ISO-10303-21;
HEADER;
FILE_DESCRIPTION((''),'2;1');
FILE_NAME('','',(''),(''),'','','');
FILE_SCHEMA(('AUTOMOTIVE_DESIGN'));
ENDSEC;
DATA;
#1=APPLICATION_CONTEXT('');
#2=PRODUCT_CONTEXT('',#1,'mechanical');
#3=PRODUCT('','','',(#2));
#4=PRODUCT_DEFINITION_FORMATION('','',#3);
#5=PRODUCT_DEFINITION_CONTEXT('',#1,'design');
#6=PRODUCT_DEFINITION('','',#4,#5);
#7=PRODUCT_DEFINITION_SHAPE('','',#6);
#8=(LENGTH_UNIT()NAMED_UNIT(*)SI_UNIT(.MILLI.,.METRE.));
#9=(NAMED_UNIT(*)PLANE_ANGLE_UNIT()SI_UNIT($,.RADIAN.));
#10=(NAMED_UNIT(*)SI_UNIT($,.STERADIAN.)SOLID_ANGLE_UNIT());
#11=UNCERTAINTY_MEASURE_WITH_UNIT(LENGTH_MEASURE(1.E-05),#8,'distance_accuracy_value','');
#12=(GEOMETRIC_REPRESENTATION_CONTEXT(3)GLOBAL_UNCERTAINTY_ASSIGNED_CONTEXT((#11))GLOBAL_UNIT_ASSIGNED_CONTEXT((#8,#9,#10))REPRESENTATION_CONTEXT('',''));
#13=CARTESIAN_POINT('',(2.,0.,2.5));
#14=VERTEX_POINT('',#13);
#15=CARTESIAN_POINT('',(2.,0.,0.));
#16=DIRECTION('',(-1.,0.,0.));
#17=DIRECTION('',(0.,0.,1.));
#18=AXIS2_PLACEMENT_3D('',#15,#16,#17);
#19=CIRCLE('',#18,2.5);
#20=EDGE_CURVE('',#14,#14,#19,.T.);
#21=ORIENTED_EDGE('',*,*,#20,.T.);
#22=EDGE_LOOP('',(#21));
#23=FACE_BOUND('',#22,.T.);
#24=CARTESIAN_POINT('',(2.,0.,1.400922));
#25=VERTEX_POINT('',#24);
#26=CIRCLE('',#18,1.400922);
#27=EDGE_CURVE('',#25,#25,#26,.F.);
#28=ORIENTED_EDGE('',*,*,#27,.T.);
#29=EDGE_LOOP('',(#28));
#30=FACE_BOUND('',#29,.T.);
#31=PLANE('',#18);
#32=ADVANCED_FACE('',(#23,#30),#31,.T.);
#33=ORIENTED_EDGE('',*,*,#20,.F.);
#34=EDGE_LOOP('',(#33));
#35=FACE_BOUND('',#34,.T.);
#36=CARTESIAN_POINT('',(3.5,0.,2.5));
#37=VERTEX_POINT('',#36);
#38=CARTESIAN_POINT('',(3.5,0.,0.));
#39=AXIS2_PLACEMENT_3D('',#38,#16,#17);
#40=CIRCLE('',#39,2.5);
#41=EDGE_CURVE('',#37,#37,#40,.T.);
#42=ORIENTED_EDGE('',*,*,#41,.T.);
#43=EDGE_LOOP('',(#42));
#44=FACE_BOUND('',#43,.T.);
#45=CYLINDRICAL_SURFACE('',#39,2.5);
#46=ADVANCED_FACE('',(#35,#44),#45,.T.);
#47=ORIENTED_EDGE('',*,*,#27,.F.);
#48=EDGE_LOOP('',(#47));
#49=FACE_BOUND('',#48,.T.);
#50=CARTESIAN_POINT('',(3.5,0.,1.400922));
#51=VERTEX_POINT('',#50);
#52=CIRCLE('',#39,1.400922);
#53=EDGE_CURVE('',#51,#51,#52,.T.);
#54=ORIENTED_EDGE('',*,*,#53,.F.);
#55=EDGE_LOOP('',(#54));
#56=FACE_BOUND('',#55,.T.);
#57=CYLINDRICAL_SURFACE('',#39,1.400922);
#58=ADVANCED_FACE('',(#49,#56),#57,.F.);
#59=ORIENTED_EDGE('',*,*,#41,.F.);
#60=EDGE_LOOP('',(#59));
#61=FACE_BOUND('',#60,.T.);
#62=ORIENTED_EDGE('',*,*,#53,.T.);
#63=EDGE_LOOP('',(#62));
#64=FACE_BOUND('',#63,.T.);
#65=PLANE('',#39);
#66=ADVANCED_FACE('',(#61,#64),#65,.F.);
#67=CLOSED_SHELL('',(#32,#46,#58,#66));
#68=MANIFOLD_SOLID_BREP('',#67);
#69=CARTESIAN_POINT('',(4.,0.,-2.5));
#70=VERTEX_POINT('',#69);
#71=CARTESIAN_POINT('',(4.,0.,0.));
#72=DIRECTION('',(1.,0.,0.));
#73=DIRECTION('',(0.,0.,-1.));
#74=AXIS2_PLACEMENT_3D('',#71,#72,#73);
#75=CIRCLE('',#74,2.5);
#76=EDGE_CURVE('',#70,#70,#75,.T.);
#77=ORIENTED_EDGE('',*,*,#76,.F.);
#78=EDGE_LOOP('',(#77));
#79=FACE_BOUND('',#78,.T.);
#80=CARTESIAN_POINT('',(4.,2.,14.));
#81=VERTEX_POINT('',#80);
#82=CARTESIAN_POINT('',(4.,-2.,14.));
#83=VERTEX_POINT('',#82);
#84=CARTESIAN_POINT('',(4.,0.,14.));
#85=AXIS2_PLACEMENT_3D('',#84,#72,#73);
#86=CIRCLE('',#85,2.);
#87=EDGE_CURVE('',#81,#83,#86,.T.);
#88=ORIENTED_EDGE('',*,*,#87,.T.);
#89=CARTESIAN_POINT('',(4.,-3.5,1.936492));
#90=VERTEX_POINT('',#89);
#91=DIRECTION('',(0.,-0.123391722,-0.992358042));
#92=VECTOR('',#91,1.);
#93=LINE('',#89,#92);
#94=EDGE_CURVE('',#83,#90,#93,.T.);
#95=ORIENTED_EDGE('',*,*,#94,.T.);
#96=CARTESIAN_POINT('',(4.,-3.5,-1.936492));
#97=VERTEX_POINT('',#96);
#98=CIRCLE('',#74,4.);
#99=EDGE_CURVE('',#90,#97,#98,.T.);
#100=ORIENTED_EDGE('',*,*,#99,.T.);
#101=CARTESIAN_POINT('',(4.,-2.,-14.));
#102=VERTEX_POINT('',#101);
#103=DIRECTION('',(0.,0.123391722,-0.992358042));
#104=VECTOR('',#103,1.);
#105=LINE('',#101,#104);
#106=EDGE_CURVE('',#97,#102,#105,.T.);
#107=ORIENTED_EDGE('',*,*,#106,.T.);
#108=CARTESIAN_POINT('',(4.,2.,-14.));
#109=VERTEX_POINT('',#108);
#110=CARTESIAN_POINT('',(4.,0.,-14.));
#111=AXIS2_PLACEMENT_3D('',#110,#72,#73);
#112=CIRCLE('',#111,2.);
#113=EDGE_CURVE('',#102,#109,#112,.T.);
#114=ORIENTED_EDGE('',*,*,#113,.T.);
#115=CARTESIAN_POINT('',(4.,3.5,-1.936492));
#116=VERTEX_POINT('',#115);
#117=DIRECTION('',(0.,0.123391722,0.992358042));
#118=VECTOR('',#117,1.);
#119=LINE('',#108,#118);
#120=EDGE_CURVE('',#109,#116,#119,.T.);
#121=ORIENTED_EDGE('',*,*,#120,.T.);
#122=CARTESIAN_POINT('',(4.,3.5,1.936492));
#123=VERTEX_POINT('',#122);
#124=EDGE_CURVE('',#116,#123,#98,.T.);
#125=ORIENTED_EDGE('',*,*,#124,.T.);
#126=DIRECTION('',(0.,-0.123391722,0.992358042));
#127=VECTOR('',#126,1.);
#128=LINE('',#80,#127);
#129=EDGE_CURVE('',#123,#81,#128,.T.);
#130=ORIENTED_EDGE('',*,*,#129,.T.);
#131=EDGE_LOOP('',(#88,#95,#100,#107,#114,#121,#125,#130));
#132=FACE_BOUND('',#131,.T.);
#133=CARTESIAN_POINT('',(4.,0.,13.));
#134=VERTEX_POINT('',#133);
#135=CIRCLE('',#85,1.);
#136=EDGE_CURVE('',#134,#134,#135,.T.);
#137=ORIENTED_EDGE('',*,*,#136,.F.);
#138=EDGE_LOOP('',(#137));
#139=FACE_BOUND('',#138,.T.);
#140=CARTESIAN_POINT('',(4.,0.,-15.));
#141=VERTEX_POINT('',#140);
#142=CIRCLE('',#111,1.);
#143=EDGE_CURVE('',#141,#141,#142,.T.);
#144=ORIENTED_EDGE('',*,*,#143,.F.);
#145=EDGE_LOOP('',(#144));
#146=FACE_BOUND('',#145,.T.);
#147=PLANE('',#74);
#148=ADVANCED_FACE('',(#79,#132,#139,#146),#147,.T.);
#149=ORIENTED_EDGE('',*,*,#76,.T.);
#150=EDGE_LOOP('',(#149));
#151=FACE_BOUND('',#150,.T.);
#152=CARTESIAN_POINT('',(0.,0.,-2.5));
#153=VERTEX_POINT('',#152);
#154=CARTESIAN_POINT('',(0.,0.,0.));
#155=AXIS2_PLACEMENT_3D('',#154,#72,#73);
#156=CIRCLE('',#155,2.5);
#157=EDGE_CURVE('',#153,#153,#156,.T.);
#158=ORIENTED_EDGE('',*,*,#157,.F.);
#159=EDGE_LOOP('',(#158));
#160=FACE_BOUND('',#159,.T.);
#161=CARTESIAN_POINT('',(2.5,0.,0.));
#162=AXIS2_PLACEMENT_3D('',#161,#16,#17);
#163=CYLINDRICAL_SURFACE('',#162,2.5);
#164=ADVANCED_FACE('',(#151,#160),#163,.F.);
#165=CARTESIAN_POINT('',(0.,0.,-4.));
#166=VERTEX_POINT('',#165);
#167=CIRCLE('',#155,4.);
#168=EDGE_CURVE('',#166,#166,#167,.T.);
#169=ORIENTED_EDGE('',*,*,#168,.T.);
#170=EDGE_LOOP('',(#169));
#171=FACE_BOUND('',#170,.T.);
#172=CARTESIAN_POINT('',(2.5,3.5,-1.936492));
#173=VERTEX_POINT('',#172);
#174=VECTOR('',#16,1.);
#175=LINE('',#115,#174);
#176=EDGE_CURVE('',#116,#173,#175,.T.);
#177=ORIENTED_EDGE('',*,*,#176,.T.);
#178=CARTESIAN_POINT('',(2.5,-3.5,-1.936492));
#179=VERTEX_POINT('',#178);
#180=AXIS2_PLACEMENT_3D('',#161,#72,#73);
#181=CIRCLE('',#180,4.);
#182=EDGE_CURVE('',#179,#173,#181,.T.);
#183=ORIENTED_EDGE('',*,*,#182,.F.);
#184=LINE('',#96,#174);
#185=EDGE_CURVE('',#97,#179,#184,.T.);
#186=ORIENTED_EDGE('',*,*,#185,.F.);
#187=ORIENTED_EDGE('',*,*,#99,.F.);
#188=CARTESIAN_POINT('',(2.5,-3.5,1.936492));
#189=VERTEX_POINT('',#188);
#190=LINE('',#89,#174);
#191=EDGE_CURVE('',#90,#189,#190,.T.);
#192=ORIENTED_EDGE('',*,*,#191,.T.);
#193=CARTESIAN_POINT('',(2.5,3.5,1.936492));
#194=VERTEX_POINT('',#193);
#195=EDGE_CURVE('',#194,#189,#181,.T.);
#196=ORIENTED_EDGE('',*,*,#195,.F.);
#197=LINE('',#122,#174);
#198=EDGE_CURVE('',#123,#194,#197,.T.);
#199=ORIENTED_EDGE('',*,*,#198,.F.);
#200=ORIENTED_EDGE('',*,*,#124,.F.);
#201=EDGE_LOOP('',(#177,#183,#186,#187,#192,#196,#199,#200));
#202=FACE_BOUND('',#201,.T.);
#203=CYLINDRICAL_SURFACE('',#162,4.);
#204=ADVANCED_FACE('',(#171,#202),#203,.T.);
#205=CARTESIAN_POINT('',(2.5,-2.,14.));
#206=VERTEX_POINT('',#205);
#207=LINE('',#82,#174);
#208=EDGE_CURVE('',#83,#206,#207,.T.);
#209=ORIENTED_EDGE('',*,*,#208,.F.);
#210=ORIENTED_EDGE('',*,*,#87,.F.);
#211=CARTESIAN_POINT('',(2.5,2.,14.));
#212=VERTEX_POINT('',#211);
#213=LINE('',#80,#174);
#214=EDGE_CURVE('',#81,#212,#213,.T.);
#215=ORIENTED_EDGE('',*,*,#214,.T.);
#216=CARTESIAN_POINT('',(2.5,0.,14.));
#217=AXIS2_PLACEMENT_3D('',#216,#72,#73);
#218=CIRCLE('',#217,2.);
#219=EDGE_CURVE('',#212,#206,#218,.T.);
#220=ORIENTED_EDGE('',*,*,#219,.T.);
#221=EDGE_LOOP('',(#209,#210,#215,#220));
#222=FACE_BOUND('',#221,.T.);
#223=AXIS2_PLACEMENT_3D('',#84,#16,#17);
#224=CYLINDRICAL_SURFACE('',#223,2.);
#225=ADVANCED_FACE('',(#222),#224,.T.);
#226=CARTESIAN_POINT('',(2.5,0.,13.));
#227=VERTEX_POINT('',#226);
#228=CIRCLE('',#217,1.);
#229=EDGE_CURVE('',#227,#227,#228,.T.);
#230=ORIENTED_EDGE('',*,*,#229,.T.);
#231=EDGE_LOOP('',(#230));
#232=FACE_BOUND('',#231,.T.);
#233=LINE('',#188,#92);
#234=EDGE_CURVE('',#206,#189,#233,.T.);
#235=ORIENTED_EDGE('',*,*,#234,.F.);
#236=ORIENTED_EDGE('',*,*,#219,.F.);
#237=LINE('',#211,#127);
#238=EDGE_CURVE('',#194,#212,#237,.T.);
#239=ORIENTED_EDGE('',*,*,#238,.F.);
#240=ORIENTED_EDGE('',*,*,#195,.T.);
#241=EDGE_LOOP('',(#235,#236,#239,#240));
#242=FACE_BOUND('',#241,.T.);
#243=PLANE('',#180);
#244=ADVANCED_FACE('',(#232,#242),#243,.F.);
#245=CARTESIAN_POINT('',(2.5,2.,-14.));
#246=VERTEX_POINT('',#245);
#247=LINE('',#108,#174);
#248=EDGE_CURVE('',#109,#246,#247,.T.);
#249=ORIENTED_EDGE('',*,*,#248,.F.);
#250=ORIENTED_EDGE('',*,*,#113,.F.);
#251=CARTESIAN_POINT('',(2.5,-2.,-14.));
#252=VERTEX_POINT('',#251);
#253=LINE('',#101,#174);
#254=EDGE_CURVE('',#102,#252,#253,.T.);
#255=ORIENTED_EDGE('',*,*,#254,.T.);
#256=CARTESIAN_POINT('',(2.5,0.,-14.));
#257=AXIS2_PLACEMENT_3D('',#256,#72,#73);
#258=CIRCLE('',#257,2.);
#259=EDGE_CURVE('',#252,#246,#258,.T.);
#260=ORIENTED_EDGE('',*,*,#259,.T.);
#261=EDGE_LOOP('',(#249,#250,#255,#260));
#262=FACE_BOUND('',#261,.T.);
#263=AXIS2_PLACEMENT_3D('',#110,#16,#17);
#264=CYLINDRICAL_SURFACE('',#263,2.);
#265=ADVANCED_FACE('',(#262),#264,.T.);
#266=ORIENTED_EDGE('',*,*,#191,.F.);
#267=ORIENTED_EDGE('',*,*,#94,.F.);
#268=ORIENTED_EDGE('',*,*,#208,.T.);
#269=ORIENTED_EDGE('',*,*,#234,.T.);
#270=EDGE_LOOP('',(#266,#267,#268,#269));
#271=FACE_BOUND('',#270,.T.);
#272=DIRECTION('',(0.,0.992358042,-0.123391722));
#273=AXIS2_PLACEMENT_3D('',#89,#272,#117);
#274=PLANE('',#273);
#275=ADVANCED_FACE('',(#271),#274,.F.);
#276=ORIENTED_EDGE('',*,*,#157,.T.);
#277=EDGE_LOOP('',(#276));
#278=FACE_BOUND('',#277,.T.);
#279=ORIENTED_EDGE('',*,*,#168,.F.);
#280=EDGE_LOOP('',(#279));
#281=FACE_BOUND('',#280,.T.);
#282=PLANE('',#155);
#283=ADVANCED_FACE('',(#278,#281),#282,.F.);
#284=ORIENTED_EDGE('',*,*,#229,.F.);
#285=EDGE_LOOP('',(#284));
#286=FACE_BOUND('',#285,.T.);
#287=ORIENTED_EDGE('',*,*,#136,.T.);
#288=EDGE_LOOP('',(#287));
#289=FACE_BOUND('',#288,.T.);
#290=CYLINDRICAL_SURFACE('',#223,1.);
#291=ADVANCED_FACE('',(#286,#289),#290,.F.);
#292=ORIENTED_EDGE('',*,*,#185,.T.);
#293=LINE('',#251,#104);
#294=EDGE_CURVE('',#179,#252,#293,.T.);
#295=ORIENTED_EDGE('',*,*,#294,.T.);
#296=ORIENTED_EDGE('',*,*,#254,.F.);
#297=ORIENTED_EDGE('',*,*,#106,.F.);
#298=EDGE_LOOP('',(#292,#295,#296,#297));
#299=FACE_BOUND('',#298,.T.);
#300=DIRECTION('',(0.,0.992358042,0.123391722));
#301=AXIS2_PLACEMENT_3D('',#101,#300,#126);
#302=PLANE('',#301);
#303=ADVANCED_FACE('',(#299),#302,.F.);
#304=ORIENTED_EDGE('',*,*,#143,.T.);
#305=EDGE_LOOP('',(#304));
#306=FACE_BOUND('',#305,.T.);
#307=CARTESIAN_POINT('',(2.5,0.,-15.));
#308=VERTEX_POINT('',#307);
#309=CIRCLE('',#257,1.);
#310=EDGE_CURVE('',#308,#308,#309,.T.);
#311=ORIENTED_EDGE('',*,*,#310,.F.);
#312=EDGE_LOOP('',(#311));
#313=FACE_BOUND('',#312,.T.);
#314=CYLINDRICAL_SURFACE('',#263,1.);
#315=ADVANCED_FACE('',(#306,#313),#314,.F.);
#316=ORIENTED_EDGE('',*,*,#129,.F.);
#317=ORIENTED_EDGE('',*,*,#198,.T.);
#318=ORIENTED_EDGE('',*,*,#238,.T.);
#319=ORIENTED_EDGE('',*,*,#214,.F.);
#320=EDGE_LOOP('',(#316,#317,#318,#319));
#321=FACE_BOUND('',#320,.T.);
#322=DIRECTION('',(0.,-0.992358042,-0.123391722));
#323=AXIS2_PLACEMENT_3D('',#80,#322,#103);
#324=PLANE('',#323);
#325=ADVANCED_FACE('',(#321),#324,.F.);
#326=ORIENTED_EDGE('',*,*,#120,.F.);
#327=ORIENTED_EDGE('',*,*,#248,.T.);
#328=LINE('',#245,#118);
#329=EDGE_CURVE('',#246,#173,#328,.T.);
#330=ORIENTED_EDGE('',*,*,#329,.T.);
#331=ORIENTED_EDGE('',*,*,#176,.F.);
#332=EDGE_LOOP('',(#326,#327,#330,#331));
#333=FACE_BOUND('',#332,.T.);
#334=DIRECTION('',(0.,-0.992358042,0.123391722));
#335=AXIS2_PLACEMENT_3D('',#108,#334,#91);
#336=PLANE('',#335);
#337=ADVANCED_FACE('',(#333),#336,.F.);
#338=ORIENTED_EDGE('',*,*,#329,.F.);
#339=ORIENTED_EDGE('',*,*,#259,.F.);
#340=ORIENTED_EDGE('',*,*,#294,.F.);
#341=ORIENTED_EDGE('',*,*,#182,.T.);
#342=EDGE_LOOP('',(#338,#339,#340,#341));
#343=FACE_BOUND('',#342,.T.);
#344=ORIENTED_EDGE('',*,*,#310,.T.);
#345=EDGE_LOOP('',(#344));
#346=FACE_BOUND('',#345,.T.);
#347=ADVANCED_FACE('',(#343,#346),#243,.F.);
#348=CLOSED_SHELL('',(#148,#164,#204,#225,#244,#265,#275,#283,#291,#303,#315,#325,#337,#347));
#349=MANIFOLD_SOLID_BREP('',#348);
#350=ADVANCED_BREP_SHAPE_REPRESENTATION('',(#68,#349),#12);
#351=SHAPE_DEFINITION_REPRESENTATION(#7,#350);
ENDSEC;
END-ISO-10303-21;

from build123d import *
from build123d.topology import SkipClean

# Parameters (mm, degrees)
SKETCH2_R           = 4
SKETCH2_R_2         = 2.5
BOSS_EXTRUDE1_DEPTH = 2.5
SKETCH3_R           = 2.5
SKETCH3_R_2         = 1
BOSS_EXTRUDE2_DEPTH = 1.5
SKETCH4_R           = 2.5
SKETCH4_R_2         = 1.400921988
BOSS_EXTRUDE3_DEPTH = 3.5
SKETCH6_R           = 2.5
CUT_EXTRUDE2_DEPTH  = 2


with BuildPart() as part:
    # Sketch2 → Boss-Extrude1 (new body)
    with BuildSketch(Plane(origin=(0, 0, 0), x_dir=(0, 0, -1), z_dir=(1, 0, 0))):
        Circle(SKETCH2_R)
        Circle(SKETCH2_R_2, mode=Mode.SUBTRACT)
    extrude(amount=BOSS_EXTRUDE1_DEPTH)

    # Sketch3 → Boss-Extrude2 (add)
    with SkipClean():  # the faces are left unmerged after this step: merging them gives an invalid solid
        with BuildSketch(Plane(origin=(2.5, 0, 0), x_dir=(0, 0, -1), z_dir=(1, 0, 0))):
            with BuildLine():
                Line((-1.936491673, -3.5), (-14, -2))
                ThreePointArc((-14, -2), (-16, 0), (-14, 2))
                Line((-14, 2), (-1.936491673, 3.5))
                ThreePointArc((-1.936491673, 3.5), (0, 4), (1.936491673, 3.5))
                Line((1.936491673, 3.5), (14, 2))
                ThreePointArc((14, 2), (16, 0), (14, -2))
                Line((14, -2), (1.936491673, -3.5))
                ThreePointArc((1.936491673, -3.5), (0, -4), (-1.936491673, -3.5))
            make_face()
            Circle(SKETCH3_R, mode=Mode.SUBTRACT)
            with Locations((-14, 0)):
                Circle(SKETCH3_R_2, mode=Mode.SUBTRACT)
            with Locations((14, 0)):
                Circle(SKETCH3_R_2, mode=Mode.SUBTRACT)
        extrude(amount=BOSS_EXTRUDE2_DEPTH)


with BuildPart() as body_2:
    # Sketch4 → Boss-Extrude3 (new body)
    with BuildSketch(Plane.ZY):
        Circle(SKETCH4_R)
        Circle(SKETCH4_R_2, mode=Mode.SUBTRACT)
    extrude(amount=-BOSS_EXTRUDE3_DEPTH)

    # Sketch6 → Cut-Extrude2 (cut)
    with BuildSketch(Plane.ZY):
        Circle(SKETCH6_R)
    extrude(amount=-CUT_EXTRUDE2_DEPTH, mode=Mode.SUBTRACT)


solid = Compound([part.part, body_2.part])
